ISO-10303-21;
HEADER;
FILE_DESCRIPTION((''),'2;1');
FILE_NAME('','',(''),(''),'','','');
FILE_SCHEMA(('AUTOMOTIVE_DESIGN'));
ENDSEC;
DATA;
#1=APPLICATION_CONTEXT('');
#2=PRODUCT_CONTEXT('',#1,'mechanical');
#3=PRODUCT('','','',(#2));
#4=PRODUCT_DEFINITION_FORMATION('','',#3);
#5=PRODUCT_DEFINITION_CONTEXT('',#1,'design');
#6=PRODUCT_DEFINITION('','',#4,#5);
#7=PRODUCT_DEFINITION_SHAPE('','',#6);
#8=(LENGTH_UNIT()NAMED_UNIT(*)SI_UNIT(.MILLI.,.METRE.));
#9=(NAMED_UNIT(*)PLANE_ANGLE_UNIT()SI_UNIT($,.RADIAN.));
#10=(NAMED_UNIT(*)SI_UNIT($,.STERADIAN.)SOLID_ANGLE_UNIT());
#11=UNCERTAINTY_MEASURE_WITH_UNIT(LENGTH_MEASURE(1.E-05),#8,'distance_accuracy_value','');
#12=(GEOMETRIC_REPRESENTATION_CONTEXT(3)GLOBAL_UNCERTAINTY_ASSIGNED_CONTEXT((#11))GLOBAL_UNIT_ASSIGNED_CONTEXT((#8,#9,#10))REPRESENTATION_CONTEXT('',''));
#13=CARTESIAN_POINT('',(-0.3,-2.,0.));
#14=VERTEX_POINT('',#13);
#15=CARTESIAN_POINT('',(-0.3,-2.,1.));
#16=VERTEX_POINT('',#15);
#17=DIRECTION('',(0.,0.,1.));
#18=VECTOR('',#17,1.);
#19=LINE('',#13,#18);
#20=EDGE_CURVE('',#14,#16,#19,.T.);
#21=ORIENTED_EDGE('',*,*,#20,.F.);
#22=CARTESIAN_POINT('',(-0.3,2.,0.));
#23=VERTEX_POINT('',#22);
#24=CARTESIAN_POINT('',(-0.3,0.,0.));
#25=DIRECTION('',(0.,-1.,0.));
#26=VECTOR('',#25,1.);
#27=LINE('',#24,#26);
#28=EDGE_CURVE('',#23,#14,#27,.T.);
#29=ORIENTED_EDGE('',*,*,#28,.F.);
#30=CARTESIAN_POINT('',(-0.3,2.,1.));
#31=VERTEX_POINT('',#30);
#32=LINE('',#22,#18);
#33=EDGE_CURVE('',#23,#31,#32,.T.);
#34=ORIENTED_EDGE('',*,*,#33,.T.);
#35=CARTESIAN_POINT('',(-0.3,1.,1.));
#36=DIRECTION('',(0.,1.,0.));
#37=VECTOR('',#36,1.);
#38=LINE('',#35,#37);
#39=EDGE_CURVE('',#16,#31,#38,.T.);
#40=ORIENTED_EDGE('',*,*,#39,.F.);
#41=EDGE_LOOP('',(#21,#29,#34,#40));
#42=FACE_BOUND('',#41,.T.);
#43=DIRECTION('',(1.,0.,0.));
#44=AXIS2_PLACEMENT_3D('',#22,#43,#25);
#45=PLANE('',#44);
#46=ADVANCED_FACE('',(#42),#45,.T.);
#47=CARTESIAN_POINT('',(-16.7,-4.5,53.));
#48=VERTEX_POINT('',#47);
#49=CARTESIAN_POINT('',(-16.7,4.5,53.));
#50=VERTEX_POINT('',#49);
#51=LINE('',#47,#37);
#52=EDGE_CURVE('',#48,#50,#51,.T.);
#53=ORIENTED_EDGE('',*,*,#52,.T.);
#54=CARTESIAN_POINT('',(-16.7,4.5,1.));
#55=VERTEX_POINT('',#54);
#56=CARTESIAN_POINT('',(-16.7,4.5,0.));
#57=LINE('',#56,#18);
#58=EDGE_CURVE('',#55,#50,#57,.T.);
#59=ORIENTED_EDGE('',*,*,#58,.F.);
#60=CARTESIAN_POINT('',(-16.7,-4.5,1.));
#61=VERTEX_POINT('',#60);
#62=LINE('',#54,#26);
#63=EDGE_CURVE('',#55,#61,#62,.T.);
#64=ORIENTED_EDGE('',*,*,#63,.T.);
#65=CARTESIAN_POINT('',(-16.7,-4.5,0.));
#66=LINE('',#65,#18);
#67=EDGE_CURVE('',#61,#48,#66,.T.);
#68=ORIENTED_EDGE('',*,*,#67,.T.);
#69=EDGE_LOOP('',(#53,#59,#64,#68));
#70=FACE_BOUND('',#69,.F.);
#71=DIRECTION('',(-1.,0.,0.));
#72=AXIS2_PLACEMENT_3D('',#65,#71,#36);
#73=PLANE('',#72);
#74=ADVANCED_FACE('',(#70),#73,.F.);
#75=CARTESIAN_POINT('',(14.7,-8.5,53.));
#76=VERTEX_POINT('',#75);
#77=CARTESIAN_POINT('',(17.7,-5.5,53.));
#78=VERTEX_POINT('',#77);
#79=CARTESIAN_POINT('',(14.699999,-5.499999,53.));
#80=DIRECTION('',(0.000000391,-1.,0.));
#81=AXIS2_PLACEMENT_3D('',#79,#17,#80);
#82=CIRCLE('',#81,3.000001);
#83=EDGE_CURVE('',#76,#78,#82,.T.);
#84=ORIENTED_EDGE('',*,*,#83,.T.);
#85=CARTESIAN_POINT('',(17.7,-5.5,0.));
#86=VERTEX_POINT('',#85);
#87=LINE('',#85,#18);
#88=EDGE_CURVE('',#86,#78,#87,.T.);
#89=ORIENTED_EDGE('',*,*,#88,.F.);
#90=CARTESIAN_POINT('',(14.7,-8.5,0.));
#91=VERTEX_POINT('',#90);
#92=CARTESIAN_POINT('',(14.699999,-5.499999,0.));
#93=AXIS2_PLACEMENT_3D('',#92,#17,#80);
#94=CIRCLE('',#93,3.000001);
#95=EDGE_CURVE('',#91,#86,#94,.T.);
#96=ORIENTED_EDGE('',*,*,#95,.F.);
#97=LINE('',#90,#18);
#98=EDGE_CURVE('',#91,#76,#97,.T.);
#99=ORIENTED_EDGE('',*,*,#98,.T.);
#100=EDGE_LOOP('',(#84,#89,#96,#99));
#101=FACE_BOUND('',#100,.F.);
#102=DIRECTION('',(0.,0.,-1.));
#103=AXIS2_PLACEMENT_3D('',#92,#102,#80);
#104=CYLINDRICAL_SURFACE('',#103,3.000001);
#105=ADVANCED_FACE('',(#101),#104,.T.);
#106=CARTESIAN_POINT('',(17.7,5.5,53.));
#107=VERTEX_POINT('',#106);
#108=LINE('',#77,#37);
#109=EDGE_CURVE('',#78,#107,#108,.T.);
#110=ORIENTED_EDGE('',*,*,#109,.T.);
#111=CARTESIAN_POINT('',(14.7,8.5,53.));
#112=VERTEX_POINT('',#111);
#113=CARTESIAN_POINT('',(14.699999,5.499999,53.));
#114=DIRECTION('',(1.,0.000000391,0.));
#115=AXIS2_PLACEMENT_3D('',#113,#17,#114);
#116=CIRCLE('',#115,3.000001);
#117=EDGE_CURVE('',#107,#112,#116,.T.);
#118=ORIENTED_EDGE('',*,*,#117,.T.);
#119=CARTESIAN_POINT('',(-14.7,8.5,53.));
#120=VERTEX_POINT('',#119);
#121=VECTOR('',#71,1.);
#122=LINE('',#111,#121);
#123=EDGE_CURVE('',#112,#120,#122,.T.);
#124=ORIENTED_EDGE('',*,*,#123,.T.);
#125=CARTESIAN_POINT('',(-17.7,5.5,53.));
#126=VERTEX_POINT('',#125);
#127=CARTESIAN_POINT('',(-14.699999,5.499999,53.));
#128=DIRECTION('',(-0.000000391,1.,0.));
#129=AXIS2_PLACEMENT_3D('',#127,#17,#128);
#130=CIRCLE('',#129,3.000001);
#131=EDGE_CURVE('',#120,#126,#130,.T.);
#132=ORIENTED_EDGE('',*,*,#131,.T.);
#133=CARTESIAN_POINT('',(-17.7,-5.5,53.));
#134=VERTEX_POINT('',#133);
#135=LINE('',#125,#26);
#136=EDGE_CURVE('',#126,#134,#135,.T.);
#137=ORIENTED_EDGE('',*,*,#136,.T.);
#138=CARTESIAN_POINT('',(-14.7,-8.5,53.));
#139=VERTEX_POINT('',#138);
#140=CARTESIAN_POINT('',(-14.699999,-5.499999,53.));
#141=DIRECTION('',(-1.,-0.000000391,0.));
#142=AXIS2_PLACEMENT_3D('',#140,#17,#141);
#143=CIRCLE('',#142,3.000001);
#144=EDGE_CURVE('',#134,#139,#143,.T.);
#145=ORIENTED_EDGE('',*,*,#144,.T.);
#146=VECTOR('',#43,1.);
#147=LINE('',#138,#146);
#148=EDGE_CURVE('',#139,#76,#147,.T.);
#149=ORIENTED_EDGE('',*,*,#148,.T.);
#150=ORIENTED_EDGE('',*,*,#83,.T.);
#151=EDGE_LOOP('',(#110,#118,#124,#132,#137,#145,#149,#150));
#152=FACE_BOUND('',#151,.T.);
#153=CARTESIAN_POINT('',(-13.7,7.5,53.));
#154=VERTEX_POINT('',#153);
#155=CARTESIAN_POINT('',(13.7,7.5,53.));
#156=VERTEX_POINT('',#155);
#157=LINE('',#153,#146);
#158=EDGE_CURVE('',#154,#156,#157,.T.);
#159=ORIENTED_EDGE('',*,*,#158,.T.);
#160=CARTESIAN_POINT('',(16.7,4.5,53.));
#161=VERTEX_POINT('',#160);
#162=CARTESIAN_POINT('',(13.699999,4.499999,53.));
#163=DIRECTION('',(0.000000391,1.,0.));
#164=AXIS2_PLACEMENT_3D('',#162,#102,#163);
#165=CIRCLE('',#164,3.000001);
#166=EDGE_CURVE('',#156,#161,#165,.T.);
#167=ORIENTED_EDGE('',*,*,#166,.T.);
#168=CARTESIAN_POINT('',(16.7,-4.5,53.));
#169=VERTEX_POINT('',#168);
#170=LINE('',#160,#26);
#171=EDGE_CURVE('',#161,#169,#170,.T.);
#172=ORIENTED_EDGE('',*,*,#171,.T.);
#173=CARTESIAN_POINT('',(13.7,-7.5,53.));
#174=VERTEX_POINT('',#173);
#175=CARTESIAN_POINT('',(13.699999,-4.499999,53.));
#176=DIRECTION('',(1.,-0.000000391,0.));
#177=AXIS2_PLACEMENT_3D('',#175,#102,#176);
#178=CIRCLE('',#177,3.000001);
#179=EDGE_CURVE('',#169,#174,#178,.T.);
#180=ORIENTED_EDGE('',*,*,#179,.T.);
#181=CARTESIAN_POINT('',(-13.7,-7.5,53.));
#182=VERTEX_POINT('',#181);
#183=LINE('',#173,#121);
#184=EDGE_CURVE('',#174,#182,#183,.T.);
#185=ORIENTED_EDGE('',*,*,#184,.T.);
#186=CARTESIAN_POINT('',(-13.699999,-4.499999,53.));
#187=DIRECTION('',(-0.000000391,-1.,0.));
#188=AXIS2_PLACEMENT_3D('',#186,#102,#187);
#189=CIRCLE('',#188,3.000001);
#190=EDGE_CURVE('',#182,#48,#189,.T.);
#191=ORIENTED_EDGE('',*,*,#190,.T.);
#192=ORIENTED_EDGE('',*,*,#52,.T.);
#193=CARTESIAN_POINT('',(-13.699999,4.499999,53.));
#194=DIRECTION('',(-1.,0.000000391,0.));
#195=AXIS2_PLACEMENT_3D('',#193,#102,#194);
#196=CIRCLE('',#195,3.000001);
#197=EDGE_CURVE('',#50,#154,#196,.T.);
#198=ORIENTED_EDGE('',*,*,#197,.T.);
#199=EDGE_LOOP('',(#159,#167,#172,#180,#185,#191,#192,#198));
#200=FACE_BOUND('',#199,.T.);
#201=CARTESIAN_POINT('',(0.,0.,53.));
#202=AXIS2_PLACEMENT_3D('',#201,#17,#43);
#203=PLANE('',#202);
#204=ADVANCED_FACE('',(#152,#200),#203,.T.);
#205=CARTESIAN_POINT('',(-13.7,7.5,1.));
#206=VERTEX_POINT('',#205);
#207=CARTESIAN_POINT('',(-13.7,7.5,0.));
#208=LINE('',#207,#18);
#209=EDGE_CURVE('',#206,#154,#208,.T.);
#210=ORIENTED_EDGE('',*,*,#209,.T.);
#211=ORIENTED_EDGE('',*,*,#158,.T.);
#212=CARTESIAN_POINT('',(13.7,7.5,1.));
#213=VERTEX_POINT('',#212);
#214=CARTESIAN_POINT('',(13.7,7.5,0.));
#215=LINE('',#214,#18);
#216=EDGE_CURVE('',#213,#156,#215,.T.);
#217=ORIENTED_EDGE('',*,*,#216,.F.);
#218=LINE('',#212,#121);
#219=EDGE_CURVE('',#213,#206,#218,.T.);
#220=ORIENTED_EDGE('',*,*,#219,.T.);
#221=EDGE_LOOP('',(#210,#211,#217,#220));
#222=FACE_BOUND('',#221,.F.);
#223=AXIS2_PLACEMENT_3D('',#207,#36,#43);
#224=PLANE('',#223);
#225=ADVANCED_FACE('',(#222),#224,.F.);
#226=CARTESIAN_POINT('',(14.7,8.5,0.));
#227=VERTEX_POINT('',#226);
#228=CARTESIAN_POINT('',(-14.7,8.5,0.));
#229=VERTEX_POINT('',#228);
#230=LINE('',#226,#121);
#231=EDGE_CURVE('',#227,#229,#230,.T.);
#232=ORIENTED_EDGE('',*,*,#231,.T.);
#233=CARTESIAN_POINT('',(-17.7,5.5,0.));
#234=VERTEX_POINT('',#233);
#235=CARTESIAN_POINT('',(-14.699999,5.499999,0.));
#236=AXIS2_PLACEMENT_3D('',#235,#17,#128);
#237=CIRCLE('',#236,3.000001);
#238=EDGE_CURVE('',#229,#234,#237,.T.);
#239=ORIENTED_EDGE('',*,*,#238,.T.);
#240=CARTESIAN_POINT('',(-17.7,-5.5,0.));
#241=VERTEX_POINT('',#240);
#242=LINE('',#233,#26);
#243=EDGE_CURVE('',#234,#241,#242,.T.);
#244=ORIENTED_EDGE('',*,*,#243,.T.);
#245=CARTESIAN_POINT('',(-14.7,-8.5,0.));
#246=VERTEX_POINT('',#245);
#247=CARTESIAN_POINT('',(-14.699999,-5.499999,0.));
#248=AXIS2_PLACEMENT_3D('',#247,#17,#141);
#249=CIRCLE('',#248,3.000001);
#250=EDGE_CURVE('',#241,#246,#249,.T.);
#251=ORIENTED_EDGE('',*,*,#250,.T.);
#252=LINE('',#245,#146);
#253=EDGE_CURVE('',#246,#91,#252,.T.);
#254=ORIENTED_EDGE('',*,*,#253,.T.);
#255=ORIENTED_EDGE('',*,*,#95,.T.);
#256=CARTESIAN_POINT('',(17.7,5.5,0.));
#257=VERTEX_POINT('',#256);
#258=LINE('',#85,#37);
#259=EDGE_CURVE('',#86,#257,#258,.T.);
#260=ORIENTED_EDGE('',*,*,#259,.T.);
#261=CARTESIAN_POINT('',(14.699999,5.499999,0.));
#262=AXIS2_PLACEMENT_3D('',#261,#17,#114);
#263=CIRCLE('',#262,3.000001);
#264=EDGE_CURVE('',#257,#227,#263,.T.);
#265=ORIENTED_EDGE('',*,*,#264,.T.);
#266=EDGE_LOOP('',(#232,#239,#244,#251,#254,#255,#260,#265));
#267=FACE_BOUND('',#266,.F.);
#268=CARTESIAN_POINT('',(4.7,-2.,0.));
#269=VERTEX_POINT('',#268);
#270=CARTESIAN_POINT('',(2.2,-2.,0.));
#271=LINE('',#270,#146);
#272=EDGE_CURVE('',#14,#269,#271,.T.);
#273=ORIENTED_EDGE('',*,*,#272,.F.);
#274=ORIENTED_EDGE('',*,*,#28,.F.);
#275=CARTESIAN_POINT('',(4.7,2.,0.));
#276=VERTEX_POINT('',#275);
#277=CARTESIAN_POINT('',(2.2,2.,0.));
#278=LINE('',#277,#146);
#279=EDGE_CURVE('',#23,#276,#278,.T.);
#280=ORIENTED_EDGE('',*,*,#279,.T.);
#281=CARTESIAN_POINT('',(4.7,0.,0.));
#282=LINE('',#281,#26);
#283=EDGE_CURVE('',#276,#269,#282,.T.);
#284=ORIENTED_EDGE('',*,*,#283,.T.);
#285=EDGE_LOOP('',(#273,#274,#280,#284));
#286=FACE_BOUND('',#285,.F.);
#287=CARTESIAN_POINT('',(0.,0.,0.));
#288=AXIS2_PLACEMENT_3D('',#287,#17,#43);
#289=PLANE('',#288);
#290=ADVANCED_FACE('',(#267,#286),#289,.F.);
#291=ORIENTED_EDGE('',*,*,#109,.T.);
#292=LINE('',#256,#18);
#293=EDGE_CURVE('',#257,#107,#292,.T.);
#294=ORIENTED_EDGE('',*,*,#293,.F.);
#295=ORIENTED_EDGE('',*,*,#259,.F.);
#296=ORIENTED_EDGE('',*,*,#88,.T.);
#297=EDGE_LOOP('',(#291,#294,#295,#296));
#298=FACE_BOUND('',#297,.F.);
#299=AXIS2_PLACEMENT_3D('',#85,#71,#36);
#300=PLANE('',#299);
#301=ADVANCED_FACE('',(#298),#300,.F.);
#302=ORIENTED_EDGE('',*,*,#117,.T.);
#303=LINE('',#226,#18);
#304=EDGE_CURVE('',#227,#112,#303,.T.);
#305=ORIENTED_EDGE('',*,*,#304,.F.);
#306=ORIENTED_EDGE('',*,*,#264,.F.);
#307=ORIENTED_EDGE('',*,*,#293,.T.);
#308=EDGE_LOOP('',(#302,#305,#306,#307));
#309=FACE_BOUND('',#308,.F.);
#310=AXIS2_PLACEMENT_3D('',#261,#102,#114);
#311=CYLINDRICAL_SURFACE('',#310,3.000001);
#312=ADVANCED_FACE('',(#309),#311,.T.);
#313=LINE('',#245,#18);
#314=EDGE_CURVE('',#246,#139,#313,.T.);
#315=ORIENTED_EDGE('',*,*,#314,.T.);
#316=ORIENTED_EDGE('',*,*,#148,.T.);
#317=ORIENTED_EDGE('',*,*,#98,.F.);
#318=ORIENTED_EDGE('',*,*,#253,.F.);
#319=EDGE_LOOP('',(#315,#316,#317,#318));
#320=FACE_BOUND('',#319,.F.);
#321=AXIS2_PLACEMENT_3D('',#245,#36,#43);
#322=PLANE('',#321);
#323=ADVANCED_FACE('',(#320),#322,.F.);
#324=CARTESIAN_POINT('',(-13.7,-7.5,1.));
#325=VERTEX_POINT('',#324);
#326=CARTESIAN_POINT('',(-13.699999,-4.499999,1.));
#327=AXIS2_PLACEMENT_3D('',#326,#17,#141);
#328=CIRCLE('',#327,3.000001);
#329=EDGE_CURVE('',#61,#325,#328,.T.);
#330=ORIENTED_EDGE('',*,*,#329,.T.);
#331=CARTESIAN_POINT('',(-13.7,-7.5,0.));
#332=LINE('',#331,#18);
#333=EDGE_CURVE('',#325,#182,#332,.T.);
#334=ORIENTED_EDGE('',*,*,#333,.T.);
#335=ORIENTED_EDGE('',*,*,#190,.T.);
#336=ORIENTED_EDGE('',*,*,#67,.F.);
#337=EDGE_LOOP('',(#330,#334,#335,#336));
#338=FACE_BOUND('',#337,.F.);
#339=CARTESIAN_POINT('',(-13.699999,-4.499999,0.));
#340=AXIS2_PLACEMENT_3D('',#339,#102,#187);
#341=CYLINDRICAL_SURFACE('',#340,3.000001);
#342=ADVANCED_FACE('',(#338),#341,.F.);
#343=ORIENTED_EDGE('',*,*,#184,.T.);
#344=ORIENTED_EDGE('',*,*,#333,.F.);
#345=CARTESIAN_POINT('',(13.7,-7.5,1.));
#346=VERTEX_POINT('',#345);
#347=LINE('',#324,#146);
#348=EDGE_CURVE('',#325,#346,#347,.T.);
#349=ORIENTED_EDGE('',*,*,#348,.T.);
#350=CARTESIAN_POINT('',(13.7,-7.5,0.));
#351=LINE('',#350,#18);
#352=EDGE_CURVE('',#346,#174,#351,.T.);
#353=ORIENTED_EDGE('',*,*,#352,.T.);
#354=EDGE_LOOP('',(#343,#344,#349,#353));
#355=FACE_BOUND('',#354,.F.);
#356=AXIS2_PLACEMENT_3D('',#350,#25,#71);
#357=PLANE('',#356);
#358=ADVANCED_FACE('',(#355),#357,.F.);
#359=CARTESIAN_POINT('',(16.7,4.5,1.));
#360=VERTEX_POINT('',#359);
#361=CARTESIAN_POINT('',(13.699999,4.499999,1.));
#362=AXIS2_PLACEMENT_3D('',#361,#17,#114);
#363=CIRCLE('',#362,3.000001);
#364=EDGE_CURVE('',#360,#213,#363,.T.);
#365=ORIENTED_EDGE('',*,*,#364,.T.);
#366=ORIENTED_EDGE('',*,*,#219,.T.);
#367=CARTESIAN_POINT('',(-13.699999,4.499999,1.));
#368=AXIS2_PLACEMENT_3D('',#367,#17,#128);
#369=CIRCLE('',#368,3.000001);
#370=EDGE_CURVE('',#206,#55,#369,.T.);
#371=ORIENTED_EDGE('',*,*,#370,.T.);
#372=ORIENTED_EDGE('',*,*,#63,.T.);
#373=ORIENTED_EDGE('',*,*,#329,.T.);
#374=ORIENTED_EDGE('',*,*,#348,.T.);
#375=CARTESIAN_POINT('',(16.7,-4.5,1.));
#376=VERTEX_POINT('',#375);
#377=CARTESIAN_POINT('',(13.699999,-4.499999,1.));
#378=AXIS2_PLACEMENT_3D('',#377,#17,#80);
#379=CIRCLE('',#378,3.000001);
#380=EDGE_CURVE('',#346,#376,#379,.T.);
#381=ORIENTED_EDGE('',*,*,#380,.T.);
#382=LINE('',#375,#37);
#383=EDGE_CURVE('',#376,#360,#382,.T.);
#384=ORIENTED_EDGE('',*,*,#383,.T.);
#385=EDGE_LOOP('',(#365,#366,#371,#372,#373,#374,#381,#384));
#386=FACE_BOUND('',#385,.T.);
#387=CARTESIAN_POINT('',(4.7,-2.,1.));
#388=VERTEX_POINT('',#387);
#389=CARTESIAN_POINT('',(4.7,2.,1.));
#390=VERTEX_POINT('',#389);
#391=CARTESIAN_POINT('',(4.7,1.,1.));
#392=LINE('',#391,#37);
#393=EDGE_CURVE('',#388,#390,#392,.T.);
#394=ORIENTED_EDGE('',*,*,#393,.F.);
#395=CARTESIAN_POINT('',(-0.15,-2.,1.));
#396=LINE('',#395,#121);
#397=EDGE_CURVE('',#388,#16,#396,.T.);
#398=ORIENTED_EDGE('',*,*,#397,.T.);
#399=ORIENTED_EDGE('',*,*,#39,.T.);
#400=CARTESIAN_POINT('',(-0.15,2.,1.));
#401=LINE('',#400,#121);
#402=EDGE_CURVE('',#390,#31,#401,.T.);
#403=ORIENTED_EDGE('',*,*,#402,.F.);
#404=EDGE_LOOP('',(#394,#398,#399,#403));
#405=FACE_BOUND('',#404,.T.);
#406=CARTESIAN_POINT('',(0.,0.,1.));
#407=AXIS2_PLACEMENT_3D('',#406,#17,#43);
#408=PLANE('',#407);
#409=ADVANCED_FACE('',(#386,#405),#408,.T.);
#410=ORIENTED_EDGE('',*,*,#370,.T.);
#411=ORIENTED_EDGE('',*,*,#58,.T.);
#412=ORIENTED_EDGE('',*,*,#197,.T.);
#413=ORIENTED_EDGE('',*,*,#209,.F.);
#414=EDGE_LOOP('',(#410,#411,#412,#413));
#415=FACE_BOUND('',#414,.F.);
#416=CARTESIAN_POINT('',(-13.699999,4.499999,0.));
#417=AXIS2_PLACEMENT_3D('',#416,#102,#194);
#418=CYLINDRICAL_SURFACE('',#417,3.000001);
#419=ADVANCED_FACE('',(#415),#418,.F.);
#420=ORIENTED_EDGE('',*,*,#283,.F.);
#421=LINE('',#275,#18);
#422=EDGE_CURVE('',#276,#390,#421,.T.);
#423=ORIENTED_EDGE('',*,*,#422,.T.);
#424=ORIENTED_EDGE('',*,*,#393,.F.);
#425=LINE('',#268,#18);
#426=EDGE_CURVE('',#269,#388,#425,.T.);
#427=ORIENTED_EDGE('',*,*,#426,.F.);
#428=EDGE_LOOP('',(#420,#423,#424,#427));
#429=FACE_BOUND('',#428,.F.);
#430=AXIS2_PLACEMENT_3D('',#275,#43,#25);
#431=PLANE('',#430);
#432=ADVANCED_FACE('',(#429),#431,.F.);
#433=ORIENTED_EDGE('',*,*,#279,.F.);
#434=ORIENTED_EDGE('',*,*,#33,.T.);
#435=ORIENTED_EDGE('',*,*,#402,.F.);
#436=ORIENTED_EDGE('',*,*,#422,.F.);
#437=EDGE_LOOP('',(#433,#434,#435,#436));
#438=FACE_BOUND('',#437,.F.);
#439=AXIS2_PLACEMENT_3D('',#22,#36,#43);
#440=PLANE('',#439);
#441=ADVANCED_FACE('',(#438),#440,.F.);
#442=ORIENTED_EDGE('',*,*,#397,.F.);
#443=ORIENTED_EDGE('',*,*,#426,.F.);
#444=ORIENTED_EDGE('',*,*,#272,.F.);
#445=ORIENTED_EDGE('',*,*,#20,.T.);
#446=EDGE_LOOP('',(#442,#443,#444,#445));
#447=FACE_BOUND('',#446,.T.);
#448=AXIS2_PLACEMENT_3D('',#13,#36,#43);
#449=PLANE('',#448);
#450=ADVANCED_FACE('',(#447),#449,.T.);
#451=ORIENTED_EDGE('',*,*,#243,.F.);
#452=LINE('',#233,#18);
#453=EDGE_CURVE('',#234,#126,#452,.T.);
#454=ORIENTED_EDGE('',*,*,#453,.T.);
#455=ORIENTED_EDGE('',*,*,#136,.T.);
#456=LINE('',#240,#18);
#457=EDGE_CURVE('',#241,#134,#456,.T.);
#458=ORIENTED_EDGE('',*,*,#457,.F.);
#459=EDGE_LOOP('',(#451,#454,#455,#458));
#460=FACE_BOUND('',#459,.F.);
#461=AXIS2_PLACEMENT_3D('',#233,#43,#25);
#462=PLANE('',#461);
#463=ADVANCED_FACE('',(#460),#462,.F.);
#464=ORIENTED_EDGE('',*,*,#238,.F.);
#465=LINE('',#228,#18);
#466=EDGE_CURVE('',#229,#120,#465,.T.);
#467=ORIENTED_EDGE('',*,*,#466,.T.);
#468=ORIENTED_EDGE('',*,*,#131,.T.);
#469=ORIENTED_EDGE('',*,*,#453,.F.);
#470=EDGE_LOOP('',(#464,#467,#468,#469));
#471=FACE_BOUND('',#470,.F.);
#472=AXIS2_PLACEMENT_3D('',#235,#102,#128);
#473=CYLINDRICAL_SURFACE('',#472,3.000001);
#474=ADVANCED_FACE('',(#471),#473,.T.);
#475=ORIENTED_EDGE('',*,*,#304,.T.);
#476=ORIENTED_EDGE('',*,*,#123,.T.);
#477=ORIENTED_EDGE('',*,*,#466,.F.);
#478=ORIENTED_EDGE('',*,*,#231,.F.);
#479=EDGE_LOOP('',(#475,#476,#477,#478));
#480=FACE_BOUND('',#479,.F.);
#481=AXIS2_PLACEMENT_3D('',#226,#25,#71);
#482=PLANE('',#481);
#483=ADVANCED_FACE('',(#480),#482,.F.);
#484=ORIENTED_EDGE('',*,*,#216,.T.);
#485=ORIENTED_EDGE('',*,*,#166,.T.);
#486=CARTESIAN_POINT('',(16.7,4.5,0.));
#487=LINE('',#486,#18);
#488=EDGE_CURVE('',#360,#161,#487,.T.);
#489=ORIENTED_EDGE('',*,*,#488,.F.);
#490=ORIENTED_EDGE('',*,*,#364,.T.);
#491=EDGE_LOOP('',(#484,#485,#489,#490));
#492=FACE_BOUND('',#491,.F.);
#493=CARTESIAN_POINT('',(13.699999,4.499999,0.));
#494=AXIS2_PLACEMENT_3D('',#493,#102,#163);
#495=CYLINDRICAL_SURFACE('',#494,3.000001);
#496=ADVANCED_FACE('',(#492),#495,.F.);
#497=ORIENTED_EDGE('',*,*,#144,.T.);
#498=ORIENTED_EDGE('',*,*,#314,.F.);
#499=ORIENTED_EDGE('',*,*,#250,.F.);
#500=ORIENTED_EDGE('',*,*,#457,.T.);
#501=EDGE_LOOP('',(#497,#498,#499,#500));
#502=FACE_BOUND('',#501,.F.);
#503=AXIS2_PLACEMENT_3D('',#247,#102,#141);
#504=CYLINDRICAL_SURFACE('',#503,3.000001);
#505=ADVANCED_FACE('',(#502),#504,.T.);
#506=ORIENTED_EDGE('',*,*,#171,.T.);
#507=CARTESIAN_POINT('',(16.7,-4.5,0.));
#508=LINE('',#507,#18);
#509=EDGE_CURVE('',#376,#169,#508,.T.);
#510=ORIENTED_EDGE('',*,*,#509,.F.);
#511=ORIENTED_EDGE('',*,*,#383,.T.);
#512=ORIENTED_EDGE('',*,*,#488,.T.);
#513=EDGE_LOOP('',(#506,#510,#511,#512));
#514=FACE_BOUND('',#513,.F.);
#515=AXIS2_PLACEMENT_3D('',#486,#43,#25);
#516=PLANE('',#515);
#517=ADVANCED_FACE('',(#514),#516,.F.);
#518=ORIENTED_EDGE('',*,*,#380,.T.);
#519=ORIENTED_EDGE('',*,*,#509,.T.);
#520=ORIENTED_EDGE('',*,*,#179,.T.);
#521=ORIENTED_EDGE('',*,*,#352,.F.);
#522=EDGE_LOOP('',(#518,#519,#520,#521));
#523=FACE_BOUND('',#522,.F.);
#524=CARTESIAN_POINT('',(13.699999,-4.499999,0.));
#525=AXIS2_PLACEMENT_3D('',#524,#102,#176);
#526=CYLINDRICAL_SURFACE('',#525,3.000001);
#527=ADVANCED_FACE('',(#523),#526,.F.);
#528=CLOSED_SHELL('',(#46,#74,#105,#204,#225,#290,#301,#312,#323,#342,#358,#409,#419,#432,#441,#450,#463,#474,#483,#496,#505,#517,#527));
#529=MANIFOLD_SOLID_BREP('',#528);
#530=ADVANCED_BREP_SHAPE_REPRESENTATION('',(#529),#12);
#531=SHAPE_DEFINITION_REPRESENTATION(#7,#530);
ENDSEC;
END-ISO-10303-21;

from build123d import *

# Parameters (mm, degrees)
F1_DEPTH = 53
F2_DEPTH = 1
F3_W     = 5
F3_H     = 4
F4_DEPTH = 53.001


with BuildPart() as f1:
    # F0 (on Top) → F1 (new body)
    with BuildSketch(Plane.XY):
        with BuildLine():
            Line((-14.7, -8.5), (14.7, -8.5))
            ThreePointArc((14.7, -8.5), (16.82132, -7.62132), (17.7, -5.5))
            Line((17.7, -5.5), (17.7, 5.5))
            ThreePointArc((17.7, 5.5), (16.82132, 7.62132), (14.7, 8.5))
            Line((14.7, 8.5), (-14.7, 8.5))
            ThreePointArc((-14.7, 8.5), (-16.82132, 7.62132), (-17.7, 5.5))
            Line((-17.7, 5.5), (-17.7, -5.5))
            ThreePointArc((-17.7, -5.5), (-16.82132, -7.62132), (-14.7, -8.5))
        make_face()
        with BuildLine():
            Line((-13.7, 7.5), (13.7, 7.5))
            ThreePointArc((13.7, 7.5), (15.82132, 6.62132), (16.7, 4.5))
            Line((16.7, 4.5), (16.7, -4.5))
            ThreePointArc((16.7, -4.5), (15.82132, -6.62132), (13.7, -7.5))
            Line((13.7, -7.5), (-13.7, -7.5))
            ThreePointArc((-13.7, -7.5), (-15.82132, -6.62132), (-16.7, -4.5))
            Line((-16.7, -4.5), (-16.7, 4.5))
            ThreePointArc((-16.7, 4.5), (-15.82132, 6.62132), (-13.7, 7.5))
        make_face(mode=Mode.SUBTRACT)
    extrude(amount=F1_DEPTH)

    # F0 (on Top) → F2 (join)
    with BuildSketch(Plane.XY):
        with BuildLine():
            ThreePointArc((16.7, 4.5), (15.82132, 6.62132), (13.7, 7.5))
            Line((13.7, 7.5), (-13.7, 7.5))
            ThreePointArc((-13.7, 7.5), (-15.82132, 6.62132), (-16.7, 4.5))
            Line((-16.7, 4.5), (-16.7, -4.5))
            ThreePointArc((-16.7, -4.5), (-15.82132, -6.62132), (-13.7, -7.5))
            Line((-13.7, -7.5), (13.7, -7.5))
            ThreePointArc((13.7, -7.5), (15.82132, -6.62132), (16.7, -4.5))
            Line((16.7, -4.5), (16.7, 4.5))
        make_face()
    extrude(amount=F2_DEPTH)

    # F3 (on face) → F4 (cut, through all)
    with BuildSketch(Plane(origin=(0, 0, 0), x_dir=(1, 0, 0), z_dir=(0, 0, -1))):
        with Locations((2.2, 0)):
            Rectangle(F3_W, F3_H)
    extrude(amount=-F4_DEPTH, mode=Mode.SUBTRACT)


solid = f1.part
